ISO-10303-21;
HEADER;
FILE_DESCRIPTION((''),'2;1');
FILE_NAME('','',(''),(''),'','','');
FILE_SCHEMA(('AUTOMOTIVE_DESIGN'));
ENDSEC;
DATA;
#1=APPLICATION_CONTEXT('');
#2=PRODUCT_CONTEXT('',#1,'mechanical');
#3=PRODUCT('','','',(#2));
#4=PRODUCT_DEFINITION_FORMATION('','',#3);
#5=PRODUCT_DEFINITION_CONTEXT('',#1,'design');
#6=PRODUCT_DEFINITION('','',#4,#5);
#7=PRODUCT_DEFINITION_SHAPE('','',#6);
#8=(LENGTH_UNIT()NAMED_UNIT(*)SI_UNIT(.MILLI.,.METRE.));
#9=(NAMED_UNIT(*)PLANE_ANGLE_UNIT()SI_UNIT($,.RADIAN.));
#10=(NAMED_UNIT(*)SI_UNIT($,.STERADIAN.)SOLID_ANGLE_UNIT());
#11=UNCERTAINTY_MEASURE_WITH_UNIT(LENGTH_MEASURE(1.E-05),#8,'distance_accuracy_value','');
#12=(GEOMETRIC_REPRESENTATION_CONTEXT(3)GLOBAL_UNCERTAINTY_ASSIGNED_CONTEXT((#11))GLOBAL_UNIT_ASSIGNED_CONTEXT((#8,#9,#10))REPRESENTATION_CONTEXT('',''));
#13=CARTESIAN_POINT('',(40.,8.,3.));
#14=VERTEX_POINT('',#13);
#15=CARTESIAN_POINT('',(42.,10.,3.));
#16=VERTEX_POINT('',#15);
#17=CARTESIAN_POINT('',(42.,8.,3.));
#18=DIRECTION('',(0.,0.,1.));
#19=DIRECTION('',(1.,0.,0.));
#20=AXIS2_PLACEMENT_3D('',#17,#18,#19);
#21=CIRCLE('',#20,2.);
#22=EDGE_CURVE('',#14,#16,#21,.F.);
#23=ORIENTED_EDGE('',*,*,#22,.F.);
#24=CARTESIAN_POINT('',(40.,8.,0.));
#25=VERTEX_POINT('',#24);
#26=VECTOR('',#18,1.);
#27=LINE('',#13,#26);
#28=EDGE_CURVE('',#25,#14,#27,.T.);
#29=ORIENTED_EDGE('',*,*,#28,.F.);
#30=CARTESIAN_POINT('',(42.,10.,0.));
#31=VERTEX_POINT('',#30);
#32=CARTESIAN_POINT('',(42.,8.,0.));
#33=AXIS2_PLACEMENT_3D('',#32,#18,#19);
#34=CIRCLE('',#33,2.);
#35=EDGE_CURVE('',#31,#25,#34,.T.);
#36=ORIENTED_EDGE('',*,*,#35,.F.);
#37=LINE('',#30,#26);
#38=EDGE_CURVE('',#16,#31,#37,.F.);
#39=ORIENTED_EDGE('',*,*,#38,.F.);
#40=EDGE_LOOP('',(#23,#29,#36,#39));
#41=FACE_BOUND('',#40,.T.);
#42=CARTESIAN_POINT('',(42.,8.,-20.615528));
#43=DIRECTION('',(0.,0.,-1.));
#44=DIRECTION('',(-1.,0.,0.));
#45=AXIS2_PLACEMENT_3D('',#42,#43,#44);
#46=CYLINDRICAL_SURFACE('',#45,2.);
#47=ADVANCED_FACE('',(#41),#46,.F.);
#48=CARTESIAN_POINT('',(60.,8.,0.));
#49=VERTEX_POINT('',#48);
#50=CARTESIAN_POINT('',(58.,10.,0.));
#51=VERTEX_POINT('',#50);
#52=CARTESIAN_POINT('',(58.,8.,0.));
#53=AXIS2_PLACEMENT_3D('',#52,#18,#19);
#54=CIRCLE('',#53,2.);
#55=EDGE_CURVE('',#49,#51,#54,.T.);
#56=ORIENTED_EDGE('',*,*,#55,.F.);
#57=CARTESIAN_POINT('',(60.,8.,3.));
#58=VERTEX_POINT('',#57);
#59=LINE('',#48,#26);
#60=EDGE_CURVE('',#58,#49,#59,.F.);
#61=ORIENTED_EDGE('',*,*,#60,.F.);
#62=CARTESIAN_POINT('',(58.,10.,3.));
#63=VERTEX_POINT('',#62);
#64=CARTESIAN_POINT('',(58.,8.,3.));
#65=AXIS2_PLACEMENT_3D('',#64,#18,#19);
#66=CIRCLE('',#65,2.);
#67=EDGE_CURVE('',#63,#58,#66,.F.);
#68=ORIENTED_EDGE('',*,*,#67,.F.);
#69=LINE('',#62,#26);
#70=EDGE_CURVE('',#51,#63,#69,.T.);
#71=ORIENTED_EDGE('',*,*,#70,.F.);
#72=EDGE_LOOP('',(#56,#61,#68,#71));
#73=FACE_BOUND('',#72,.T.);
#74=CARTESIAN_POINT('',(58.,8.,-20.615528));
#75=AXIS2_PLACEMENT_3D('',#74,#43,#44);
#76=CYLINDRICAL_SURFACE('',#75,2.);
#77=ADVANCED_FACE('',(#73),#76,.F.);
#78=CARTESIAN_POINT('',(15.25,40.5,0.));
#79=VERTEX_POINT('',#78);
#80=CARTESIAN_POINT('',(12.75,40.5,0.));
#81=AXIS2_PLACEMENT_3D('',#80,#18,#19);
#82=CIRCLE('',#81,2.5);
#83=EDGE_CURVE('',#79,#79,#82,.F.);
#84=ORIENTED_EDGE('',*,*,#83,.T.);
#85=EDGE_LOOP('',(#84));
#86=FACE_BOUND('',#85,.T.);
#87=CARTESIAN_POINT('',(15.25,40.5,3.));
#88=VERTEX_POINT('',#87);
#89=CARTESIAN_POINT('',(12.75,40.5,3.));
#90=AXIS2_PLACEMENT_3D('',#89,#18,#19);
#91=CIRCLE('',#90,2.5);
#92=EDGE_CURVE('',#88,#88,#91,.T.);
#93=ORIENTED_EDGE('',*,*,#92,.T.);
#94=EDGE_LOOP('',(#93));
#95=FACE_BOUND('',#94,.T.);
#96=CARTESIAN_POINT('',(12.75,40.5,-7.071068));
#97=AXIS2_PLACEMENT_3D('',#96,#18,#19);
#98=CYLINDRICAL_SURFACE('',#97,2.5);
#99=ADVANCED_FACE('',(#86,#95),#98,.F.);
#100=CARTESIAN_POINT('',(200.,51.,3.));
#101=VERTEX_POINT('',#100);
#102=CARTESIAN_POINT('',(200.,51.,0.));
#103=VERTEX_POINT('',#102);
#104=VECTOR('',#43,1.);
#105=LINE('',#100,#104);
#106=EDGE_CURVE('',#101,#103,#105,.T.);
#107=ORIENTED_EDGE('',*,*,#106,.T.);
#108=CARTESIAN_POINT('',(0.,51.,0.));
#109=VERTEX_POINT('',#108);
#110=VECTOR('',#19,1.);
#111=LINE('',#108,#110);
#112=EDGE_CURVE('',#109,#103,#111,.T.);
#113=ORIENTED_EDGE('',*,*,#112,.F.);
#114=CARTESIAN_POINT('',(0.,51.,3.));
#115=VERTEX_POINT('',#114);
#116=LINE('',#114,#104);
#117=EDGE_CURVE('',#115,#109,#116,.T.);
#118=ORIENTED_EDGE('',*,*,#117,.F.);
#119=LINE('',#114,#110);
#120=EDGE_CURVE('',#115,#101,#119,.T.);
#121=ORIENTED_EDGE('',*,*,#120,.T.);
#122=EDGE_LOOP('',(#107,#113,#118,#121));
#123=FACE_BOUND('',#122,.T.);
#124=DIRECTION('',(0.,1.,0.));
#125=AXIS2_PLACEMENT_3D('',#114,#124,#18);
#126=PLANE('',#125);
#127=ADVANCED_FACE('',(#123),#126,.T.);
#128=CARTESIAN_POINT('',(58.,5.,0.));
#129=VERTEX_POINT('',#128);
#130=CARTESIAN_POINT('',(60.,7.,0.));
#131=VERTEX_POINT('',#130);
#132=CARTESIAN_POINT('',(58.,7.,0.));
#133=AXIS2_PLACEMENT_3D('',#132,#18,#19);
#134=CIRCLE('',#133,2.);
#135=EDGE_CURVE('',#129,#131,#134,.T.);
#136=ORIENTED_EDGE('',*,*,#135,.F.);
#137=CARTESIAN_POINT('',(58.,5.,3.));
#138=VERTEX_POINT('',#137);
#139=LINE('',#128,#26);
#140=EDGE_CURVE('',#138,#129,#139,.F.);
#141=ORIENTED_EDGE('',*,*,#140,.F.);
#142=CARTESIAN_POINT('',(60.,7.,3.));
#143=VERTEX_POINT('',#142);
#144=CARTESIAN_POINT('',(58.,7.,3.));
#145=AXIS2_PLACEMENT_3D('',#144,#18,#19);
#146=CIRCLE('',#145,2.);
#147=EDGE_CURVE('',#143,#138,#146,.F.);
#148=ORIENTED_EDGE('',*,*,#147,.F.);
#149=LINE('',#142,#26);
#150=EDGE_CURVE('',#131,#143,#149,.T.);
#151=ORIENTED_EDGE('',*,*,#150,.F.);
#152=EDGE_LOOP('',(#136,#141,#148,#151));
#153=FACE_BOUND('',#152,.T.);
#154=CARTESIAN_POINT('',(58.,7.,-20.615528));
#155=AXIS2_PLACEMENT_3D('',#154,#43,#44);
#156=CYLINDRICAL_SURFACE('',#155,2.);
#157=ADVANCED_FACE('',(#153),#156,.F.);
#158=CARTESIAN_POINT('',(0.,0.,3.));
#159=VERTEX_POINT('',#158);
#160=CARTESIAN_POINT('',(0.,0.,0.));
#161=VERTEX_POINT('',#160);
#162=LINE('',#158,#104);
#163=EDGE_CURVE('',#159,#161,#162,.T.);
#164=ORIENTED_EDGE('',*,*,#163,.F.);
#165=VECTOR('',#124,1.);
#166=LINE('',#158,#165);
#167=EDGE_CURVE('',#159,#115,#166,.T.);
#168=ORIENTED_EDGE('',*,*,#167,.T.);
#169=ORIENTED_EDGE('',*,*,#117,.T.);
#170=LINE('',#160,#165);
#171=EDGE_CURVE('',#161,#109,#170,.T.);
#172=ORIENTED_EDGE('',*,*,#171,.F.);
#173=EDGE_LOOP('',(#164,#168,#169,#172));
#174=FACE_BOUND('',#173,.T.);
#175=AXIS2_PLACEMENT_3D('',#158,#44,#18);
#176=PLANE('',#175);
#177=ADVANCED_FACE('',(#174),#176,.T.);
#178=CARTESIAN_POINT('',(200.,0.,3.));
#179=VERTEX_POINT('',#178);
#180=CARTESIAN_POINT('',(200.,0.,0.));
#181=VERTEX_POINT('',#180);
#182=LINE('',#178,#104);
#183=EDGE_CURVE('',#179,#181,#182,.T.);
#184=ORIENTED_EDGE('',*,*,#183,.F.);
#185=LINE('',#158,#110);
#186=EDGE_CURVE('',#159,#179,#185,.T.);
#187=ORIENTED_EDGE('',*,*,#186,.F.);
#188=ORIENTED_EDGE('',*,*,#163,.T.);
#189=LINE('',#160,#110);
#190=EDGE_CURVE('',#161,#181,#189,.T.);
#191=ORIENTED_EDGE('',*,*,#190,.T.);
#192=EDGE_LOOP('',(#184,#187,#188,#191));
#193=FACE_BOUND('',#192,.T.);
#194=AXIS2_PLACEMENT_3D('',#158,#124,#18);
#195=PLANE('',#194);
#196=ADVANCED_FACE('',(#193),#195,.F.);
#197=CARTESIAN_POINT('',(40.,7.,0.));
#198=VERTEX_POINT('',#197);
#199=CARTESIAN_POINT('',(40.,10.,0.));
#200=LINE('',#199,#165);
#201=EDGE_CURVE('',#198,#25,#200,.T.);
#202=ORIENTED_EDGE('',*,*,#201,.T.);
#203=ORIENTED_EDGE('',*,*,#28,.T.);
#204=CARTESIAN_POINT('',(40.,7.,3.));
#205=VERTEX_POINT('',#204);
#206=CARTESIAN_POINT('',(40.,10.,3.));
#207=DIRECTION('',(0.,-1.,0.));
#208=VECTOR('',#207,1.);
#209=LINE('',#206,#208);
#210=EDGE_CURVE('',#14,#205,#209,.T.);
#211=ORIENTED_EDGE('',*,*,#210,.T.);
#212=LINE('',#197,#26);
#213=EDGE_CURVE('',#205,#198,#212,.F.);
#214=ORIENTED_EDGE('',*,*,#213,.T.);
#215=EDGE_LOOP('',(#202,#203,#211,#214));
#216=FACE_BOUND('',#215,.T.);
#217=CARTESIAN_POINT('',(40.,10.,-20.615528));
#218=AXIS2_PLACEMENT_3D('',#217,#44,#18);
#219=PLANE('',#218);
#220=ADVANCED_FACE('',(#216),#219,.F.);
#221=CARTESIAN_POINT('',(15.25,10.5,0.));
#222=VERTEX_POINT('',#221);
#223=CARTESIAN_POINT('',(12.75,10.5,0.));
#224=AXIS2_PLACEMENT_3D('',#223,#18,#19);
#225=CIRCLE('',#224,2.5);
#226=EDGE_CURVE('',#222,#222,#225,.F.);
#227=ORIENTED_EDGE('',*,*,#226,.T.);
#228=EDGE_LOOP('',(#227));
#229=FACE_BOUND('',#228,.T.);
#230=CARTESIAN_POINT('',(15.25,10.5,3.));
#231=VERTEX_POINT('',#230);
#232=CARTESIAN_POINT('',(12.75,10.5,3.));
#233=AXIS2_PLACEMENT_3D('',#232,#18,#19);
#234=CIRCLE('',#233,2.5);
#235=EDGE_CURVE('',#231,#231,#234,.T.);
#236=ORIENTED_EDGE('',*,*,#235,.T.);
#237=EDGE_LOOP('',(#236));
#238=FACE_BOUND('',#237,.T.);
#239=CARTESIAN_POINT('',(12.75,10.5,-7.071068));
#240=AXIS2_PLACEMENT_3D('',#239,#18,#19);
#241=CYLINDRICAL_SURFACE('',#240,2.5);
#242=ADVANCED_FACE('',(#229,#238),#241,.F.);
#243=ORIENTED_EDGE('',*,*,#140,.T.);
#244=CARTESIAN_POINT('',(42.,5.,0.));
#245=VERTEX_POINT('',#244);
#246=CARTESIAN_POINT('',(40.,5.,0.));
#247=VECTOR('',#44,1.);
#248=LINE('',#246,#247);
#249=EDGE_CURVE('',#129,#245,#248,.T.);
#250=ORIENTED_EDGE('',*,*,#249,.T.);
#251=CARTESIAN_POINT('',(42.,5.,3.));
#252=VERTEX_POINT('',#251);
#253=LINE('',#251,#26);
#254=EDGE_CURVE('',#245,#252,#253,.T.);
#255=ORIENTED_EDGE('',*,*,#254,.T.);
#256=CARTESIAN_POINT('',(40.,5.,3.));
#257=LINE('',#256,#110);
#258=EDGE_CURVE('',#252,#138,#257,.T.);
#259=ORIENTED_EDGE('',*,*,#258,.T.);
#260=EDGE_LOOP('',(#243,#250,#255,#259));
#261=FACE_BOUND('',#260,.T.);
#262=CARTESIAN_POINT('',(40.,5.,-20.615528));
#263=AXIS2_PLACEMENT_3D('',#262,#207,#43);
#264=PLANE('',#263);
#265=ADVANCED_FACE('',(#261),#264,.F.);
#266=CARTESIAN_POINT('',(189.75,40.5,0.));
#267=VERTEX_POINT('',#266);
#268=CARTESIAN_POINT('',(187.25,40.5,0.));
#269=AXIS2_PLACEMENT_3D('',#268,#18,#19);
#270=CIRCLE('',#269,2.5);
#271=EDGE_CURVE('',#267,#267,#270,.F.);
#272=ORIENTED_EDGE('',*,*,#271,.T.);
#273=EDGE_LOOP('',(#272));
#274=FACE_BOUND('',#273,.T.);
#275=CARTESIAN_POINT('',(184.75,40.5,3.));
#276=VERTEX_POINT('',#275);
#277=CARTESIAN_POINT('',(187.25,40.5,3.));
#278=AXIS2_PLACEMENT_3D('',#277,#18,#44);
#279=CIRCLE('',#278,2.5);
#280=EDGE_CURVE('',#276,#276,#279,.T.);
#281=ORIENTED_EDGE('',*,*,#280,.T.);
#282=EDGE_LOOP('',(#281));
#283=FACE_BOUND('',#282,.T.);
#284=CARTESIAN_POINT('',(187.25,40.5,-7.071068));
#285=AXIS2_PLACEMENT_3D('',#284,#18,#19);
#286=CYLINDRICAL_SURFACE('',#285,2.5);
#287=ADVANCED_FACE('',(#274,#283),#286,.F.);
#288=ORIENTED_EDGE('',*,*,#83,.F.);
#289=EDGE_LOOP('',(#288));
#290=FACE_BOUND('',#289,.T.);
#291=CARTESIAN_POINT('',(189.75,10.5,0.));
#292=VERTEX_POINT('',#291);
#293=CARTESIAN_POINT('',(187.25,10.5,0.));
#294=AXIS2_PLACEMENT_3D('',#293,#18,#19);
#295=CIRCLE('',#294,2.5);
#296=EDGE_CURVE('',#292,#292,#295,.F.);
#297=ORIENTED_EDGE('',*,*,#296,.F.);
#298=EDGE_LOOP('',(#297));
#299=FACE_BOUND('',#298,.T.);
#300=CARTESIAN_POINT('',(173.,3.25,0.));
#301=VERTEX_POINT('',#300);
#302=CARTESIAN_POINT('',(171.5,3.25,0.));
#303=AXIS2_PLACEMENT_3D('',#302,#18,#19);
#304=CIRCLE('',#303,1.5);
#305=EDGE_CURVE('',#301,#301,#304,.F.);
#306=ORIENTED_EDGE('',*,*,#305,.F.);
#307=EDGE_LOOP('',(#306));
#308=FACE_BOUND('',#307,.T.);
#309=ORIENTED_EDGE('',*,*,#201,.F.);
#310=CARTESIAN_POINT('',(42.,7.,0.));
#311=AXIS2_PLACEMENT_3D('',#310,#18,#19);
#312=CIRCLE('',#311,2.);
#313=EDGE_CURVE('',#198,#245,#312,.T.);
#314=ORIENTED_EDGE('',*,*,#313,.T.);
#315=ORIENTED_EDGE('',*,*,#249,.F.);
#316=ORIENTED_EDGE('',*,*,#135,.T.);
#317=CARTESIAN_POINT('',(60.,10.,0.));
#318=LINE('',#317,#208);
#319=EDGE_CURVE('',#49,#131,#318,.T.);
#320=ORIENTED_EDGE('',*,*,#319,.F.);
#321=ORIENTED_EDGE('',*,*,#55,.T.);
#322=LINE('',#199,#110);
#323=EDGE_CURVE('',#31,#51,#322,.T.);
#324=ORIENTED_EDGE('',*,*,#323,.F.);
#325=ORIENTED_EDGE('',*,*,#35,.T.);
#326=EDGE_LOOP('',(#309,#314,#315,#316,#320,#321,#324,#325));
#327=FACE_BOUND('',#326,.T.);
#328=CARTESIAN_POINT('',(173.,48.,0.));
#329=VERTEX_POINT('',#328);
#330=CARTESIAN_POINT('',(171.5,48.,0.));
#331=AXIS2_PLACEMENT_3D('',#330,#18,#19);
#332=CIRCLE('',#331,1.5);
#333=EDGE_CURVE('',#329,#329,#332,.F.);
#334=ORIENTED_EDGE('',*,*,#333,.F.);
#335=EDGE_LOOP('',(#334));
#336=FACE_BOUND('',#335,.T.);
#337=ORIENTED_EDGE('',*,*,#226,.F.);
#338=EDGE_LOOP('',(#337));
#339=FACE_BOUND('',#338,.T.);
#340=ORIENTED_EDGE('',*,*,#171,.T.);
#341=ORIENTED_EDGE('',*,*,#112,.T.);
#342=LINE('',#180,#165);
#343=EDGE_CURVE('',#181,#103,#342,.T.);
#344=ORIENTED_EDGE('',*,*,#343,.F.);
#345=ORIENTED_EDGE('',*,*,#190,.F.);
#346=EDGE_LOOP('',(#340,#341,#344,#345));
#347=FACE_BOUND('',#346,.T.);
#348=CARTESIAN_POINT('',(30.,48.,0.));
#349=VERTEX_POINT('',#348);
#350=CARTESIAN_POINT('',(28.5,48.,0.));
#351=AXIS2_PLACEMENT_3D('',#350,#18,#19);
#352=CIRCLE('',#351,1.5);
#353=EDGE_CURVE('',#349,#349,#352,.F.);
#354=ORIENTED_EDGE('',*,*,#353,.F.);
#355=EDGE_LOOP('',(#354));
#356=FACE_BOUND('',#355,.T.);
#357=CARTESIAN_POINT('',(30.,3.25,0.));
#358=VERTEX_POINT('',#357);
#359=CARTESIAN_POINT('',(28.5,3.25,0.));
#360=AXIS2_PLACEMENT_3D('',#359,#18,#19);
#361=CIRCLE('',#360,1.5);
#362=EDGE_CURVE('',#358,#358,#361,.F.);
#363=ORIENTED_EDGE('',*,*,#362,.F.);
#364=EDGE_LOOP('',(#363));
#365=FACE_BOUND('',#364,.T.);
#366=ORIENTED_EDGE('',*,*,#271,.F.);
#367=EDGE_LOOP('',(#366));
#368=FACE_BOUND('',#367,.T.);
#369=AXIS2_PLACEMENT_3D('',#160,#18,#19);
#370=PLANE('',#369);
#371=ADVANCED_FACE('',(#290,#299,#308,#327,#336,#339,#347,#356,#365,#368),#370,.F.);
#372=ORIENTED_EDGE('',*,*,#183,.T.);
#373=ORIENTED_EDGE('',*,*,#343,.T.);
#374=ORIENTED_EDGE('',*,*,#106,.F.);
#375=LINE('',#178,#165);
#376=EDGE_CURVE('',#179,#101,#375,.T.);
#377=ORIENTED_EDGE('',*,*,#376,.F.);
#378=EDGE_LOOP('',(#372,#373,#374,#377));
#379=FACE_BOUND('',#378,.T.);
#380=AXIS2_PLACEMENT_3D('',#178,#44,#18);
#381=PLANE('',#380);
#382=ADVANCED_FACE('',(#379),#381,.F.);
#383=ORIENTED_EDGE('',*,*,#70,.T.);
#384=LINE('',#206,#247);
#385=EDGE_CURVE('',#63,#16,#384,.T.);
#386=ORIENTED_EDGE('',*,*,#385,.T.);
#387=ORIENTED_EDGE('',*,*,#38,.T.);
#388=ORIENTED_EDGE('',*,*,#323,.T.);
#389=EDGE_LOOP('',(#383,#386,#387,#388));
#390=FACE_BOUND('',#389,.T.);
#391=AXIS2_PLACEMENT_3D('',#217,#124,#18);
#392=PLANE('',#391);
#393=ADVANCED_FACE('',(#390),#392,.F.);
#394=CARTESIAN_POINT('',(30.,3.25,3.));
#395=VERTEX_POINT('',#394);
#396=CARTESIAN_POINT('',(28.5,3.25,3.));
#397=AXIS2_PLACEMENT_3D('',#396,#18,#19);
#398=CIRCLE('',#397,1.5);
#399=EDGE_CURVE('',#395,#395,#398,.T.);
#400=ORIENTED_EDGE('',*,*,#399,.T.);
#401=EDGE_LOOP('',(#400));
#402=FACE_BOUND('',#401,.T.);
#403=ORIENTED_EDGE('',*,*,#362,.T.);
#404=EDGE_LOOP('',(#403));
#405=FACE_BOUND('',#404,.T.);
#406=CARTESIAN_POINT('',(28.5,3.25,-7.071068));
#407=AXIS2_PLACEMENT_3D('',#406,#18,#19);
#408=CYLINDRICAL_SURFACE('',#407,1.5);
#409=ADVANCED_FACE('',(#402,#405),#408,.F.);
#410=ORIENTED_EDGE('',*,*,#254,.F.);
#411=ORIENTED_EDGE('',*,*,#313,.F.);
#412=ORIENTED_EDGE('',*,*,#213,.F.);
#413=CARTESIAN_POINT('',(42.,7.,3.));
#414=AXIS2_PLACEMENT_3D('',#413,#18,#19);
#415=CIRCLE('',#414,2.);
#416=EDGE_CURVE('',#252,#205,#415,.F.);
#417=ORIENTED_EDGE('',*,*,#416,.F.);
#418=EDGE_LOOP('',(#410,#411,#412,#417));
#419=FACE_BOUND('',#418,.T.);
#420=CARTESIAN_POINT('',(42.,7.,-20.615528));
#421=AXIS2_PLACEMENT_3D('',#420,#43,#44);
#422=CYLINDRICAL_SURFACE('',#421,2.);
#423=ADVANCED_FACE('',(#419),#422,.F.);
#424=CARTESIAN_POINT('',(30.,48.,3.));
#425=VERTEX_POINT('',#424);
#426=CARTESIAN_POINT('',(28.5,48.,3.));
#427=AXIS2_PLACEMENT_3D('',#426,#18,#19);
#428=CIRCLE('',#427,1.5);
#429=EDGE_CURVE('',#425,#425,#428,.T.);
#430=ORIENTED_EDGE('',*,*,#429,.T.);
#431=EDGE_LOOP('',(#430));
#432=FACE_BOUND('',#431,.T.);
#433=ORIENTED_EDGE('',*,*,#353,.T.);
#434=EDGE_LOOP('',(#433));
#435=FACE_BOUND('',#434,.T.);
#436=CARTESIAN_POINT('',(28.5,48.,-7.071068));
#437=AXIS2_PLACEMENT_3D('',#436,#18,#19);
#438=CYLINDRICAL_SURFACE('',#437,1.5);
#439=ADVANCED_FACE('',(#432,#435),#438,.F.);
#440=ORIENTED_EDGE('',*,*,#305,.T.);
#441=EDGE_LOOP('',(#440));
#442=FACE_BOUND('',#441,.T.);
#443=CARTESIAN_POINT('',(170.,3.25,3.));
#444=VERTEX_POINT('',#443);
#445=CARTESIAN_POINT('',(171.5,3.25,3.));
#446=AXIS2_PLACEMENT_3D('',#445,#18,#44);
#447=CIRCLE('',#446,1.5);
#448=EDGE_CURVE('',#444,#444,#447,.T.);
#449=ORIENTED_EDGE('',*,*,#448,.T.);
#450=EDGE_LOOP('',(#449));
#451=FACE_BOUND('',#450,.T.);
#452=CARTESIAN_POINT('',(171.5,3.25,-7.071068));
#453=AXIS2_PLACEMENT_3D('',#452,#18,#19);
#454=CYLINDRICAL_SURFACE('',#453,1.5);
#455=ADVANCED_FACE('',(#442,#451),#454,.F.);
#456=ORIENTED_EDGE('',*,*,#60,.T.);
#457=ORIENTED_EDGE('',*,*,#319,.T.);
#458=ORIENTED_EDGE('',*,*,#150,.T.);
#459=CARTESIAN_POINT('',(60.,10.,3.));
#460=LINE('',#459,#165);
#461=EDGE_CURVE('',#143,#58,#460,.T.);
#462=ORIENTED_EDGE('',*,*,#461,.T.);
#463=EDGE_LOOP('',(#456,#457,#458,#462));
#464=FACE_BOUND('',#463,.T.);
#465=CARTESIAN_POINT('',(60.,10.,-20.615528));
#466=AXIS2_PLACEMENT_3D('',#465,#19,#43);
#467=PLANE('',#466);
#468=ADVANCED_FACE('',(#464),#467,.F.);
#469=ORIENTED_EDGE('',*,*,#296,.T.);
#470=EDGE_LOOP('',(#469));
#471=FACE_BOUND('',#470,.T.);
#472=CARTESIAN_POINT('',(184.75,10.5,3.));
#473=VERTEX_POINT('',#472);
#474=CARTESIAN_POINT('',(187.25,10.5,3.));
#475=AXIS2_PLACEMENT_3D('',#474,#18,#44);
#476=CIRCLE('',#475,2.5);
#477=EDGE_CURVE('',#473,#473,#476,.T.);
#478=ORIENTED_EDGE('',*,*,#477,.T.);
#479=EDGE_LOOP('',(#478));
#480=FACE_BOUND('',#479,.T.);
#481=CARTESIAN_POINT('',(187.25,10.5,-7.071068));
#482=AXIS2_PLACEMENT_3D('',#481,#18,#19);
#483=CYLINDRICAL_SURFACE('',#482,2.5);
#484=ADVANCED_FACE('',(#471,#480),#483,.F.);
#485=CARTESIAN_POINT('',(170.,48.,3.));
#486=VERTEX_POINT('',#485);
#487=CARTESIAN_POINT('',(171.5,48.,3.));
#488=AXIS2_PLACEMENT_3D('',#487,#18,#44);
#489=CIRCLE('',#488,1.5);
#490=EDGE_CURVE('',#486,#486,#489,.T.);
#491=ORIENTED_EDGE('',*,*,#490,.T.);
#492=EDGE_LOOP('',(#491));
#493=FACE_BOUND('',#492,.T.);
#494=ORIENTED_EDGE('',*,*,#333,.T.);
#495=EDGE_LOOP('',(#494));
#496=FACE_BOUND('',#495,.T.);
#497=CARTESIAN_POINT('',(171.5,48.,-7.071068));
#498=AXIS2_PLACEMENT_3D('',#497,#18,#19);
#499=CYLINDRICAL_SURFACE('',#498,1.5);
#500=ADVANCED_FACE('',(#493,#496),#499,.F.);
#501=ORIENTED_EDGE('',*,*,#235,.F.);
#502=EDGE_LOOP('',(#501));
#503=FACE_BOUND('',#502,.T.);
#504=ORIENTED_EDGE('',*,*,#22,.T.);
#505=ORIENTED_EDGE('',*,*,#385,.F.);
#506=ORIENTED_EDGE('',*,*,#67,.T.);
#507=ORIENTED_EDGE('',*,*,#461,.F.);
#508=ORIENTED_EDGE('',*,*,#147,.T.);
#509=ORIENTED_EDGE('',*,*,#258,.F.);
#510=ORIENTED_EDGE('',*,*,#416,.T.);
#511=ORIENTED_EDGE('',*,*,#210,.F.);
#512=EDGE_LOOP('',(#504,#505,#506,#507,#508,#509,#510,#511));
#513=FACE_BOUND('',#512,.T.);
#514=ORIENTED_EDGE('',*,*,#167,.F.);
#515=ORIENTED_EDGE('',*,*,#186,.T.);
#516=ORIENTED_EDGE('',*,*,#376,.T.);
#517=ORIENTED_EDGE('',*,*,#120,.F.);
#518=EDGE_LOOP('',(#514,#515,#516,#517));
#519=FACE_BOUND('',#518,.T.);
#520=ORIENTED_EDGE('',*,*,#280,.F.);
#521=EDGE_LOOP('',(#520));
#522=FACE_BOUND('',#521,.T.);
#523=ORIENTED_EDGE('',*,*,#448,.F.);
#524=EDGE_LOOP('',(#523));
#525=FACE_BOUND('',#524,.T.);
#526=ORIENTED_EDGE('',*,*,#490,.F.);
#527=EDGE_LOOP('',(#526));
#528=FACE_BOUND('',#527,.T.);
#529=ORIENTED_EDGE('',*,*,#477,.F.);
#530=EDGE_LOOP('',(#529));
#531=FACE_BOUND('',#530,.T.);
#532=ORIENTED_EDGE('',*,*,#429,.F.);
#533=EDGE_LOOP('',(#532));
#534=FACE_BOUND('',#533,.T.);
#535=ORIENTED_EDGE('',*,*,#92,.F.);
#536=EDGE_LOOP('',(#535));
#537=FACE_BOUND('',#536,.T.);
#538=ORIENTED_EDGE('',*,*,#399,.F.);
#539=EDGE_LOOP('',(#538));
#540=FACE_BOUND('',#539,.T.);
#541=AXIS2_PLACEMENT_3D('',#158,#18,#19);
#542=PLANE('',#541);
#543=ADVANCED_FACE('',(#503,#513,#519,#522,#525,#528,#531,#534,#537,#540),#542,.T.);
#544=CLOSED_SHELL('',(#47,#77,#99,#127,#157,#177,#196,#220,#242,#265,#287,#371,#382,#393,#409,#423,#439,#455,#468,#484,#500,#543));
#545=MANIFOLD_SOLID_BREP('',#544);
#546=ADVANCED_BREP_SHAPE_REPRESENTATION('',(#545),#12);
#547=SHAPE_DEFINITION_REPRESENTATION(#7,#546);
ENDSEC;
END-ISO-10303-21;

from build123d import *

# Parameters (mm, degrees)
SKETCH1_W           = 200
SKETCH1_H           = 51
BOSS_EXTRUDE1_DEPTH = 3
SKETCH2_R           = 1.5
SKETCH2_R_2         = 2.5
CUT_EXTRUDE1_DEPTH  = 3
SKETCH3_W           = 20
SKETCH3_H           = 5
CUT_EXTRUDE2_DEPTH  = 3
FILLET1_R           = 2


with BuildPart() as part:
    # Sketch1 → Boss-Extrude1 (new body)
    with BuildSketch(Plane.XY):
        with Locations((100, 25.5)):
            Rectangle(SKETCH1_W, SKETCH1_H)
    extrude(amount=BOSS_EXTRUDE1_DEPTH)

    # Sketch2 → Cut-Extrude1 (cut)
    with BuildSketch(Plane.XY.offset(3)):
        with Locations((28.5, 48)):
            Circle(SKETCH2_R)
        with Locations((28.5, 3.25)):
            Circle(SKETCH2_R)
        with Locations((12.75, 40.5)):
            Circle(SKETCH2_R_2)
        with Locations((12.75, 10.5)):
            Circle(SKETCH2_R_2)
        with Locations((187.25, 40.5)):
            Circle(SKETCH2_R_2)
        with Locations((187.25, 10.5)):
            Circle(SKETCH2_R_2)
        with Locations((171.5, 3.25)):
            Circle(SKETCH2_R)
        with Locations((171.5, 48)):
            Circle(SKETCH2_R)
    extrude(amount=-CUT_EXTRUDE1_DEPTH, mode=Mode.SUBTRACT)

    # Sketch3 → Cut-Extrude2 (cut)
    with BuildSketch(Plane.XY.offset(3)):
        with Locations((50, 7.5)):
            Rectangle(SKETCH3_W, SKETCH3_H)
    extrude(amount=-CUT_EXTRUDE2_DEPTH, mode=Mode.SUBTRACT)

    # Fillet1
    fillet1_edges = [part.edges().sort_by_distance(p)[0] for p in [
        (40, 5, 1.5),
        (40, 10, 1.5),
        (60, 10, 1.5),
        (60, 5, 1.5),
    ]]
    fillet(fillet1_edges, radius=FILLET1_R)


solid = part.part
